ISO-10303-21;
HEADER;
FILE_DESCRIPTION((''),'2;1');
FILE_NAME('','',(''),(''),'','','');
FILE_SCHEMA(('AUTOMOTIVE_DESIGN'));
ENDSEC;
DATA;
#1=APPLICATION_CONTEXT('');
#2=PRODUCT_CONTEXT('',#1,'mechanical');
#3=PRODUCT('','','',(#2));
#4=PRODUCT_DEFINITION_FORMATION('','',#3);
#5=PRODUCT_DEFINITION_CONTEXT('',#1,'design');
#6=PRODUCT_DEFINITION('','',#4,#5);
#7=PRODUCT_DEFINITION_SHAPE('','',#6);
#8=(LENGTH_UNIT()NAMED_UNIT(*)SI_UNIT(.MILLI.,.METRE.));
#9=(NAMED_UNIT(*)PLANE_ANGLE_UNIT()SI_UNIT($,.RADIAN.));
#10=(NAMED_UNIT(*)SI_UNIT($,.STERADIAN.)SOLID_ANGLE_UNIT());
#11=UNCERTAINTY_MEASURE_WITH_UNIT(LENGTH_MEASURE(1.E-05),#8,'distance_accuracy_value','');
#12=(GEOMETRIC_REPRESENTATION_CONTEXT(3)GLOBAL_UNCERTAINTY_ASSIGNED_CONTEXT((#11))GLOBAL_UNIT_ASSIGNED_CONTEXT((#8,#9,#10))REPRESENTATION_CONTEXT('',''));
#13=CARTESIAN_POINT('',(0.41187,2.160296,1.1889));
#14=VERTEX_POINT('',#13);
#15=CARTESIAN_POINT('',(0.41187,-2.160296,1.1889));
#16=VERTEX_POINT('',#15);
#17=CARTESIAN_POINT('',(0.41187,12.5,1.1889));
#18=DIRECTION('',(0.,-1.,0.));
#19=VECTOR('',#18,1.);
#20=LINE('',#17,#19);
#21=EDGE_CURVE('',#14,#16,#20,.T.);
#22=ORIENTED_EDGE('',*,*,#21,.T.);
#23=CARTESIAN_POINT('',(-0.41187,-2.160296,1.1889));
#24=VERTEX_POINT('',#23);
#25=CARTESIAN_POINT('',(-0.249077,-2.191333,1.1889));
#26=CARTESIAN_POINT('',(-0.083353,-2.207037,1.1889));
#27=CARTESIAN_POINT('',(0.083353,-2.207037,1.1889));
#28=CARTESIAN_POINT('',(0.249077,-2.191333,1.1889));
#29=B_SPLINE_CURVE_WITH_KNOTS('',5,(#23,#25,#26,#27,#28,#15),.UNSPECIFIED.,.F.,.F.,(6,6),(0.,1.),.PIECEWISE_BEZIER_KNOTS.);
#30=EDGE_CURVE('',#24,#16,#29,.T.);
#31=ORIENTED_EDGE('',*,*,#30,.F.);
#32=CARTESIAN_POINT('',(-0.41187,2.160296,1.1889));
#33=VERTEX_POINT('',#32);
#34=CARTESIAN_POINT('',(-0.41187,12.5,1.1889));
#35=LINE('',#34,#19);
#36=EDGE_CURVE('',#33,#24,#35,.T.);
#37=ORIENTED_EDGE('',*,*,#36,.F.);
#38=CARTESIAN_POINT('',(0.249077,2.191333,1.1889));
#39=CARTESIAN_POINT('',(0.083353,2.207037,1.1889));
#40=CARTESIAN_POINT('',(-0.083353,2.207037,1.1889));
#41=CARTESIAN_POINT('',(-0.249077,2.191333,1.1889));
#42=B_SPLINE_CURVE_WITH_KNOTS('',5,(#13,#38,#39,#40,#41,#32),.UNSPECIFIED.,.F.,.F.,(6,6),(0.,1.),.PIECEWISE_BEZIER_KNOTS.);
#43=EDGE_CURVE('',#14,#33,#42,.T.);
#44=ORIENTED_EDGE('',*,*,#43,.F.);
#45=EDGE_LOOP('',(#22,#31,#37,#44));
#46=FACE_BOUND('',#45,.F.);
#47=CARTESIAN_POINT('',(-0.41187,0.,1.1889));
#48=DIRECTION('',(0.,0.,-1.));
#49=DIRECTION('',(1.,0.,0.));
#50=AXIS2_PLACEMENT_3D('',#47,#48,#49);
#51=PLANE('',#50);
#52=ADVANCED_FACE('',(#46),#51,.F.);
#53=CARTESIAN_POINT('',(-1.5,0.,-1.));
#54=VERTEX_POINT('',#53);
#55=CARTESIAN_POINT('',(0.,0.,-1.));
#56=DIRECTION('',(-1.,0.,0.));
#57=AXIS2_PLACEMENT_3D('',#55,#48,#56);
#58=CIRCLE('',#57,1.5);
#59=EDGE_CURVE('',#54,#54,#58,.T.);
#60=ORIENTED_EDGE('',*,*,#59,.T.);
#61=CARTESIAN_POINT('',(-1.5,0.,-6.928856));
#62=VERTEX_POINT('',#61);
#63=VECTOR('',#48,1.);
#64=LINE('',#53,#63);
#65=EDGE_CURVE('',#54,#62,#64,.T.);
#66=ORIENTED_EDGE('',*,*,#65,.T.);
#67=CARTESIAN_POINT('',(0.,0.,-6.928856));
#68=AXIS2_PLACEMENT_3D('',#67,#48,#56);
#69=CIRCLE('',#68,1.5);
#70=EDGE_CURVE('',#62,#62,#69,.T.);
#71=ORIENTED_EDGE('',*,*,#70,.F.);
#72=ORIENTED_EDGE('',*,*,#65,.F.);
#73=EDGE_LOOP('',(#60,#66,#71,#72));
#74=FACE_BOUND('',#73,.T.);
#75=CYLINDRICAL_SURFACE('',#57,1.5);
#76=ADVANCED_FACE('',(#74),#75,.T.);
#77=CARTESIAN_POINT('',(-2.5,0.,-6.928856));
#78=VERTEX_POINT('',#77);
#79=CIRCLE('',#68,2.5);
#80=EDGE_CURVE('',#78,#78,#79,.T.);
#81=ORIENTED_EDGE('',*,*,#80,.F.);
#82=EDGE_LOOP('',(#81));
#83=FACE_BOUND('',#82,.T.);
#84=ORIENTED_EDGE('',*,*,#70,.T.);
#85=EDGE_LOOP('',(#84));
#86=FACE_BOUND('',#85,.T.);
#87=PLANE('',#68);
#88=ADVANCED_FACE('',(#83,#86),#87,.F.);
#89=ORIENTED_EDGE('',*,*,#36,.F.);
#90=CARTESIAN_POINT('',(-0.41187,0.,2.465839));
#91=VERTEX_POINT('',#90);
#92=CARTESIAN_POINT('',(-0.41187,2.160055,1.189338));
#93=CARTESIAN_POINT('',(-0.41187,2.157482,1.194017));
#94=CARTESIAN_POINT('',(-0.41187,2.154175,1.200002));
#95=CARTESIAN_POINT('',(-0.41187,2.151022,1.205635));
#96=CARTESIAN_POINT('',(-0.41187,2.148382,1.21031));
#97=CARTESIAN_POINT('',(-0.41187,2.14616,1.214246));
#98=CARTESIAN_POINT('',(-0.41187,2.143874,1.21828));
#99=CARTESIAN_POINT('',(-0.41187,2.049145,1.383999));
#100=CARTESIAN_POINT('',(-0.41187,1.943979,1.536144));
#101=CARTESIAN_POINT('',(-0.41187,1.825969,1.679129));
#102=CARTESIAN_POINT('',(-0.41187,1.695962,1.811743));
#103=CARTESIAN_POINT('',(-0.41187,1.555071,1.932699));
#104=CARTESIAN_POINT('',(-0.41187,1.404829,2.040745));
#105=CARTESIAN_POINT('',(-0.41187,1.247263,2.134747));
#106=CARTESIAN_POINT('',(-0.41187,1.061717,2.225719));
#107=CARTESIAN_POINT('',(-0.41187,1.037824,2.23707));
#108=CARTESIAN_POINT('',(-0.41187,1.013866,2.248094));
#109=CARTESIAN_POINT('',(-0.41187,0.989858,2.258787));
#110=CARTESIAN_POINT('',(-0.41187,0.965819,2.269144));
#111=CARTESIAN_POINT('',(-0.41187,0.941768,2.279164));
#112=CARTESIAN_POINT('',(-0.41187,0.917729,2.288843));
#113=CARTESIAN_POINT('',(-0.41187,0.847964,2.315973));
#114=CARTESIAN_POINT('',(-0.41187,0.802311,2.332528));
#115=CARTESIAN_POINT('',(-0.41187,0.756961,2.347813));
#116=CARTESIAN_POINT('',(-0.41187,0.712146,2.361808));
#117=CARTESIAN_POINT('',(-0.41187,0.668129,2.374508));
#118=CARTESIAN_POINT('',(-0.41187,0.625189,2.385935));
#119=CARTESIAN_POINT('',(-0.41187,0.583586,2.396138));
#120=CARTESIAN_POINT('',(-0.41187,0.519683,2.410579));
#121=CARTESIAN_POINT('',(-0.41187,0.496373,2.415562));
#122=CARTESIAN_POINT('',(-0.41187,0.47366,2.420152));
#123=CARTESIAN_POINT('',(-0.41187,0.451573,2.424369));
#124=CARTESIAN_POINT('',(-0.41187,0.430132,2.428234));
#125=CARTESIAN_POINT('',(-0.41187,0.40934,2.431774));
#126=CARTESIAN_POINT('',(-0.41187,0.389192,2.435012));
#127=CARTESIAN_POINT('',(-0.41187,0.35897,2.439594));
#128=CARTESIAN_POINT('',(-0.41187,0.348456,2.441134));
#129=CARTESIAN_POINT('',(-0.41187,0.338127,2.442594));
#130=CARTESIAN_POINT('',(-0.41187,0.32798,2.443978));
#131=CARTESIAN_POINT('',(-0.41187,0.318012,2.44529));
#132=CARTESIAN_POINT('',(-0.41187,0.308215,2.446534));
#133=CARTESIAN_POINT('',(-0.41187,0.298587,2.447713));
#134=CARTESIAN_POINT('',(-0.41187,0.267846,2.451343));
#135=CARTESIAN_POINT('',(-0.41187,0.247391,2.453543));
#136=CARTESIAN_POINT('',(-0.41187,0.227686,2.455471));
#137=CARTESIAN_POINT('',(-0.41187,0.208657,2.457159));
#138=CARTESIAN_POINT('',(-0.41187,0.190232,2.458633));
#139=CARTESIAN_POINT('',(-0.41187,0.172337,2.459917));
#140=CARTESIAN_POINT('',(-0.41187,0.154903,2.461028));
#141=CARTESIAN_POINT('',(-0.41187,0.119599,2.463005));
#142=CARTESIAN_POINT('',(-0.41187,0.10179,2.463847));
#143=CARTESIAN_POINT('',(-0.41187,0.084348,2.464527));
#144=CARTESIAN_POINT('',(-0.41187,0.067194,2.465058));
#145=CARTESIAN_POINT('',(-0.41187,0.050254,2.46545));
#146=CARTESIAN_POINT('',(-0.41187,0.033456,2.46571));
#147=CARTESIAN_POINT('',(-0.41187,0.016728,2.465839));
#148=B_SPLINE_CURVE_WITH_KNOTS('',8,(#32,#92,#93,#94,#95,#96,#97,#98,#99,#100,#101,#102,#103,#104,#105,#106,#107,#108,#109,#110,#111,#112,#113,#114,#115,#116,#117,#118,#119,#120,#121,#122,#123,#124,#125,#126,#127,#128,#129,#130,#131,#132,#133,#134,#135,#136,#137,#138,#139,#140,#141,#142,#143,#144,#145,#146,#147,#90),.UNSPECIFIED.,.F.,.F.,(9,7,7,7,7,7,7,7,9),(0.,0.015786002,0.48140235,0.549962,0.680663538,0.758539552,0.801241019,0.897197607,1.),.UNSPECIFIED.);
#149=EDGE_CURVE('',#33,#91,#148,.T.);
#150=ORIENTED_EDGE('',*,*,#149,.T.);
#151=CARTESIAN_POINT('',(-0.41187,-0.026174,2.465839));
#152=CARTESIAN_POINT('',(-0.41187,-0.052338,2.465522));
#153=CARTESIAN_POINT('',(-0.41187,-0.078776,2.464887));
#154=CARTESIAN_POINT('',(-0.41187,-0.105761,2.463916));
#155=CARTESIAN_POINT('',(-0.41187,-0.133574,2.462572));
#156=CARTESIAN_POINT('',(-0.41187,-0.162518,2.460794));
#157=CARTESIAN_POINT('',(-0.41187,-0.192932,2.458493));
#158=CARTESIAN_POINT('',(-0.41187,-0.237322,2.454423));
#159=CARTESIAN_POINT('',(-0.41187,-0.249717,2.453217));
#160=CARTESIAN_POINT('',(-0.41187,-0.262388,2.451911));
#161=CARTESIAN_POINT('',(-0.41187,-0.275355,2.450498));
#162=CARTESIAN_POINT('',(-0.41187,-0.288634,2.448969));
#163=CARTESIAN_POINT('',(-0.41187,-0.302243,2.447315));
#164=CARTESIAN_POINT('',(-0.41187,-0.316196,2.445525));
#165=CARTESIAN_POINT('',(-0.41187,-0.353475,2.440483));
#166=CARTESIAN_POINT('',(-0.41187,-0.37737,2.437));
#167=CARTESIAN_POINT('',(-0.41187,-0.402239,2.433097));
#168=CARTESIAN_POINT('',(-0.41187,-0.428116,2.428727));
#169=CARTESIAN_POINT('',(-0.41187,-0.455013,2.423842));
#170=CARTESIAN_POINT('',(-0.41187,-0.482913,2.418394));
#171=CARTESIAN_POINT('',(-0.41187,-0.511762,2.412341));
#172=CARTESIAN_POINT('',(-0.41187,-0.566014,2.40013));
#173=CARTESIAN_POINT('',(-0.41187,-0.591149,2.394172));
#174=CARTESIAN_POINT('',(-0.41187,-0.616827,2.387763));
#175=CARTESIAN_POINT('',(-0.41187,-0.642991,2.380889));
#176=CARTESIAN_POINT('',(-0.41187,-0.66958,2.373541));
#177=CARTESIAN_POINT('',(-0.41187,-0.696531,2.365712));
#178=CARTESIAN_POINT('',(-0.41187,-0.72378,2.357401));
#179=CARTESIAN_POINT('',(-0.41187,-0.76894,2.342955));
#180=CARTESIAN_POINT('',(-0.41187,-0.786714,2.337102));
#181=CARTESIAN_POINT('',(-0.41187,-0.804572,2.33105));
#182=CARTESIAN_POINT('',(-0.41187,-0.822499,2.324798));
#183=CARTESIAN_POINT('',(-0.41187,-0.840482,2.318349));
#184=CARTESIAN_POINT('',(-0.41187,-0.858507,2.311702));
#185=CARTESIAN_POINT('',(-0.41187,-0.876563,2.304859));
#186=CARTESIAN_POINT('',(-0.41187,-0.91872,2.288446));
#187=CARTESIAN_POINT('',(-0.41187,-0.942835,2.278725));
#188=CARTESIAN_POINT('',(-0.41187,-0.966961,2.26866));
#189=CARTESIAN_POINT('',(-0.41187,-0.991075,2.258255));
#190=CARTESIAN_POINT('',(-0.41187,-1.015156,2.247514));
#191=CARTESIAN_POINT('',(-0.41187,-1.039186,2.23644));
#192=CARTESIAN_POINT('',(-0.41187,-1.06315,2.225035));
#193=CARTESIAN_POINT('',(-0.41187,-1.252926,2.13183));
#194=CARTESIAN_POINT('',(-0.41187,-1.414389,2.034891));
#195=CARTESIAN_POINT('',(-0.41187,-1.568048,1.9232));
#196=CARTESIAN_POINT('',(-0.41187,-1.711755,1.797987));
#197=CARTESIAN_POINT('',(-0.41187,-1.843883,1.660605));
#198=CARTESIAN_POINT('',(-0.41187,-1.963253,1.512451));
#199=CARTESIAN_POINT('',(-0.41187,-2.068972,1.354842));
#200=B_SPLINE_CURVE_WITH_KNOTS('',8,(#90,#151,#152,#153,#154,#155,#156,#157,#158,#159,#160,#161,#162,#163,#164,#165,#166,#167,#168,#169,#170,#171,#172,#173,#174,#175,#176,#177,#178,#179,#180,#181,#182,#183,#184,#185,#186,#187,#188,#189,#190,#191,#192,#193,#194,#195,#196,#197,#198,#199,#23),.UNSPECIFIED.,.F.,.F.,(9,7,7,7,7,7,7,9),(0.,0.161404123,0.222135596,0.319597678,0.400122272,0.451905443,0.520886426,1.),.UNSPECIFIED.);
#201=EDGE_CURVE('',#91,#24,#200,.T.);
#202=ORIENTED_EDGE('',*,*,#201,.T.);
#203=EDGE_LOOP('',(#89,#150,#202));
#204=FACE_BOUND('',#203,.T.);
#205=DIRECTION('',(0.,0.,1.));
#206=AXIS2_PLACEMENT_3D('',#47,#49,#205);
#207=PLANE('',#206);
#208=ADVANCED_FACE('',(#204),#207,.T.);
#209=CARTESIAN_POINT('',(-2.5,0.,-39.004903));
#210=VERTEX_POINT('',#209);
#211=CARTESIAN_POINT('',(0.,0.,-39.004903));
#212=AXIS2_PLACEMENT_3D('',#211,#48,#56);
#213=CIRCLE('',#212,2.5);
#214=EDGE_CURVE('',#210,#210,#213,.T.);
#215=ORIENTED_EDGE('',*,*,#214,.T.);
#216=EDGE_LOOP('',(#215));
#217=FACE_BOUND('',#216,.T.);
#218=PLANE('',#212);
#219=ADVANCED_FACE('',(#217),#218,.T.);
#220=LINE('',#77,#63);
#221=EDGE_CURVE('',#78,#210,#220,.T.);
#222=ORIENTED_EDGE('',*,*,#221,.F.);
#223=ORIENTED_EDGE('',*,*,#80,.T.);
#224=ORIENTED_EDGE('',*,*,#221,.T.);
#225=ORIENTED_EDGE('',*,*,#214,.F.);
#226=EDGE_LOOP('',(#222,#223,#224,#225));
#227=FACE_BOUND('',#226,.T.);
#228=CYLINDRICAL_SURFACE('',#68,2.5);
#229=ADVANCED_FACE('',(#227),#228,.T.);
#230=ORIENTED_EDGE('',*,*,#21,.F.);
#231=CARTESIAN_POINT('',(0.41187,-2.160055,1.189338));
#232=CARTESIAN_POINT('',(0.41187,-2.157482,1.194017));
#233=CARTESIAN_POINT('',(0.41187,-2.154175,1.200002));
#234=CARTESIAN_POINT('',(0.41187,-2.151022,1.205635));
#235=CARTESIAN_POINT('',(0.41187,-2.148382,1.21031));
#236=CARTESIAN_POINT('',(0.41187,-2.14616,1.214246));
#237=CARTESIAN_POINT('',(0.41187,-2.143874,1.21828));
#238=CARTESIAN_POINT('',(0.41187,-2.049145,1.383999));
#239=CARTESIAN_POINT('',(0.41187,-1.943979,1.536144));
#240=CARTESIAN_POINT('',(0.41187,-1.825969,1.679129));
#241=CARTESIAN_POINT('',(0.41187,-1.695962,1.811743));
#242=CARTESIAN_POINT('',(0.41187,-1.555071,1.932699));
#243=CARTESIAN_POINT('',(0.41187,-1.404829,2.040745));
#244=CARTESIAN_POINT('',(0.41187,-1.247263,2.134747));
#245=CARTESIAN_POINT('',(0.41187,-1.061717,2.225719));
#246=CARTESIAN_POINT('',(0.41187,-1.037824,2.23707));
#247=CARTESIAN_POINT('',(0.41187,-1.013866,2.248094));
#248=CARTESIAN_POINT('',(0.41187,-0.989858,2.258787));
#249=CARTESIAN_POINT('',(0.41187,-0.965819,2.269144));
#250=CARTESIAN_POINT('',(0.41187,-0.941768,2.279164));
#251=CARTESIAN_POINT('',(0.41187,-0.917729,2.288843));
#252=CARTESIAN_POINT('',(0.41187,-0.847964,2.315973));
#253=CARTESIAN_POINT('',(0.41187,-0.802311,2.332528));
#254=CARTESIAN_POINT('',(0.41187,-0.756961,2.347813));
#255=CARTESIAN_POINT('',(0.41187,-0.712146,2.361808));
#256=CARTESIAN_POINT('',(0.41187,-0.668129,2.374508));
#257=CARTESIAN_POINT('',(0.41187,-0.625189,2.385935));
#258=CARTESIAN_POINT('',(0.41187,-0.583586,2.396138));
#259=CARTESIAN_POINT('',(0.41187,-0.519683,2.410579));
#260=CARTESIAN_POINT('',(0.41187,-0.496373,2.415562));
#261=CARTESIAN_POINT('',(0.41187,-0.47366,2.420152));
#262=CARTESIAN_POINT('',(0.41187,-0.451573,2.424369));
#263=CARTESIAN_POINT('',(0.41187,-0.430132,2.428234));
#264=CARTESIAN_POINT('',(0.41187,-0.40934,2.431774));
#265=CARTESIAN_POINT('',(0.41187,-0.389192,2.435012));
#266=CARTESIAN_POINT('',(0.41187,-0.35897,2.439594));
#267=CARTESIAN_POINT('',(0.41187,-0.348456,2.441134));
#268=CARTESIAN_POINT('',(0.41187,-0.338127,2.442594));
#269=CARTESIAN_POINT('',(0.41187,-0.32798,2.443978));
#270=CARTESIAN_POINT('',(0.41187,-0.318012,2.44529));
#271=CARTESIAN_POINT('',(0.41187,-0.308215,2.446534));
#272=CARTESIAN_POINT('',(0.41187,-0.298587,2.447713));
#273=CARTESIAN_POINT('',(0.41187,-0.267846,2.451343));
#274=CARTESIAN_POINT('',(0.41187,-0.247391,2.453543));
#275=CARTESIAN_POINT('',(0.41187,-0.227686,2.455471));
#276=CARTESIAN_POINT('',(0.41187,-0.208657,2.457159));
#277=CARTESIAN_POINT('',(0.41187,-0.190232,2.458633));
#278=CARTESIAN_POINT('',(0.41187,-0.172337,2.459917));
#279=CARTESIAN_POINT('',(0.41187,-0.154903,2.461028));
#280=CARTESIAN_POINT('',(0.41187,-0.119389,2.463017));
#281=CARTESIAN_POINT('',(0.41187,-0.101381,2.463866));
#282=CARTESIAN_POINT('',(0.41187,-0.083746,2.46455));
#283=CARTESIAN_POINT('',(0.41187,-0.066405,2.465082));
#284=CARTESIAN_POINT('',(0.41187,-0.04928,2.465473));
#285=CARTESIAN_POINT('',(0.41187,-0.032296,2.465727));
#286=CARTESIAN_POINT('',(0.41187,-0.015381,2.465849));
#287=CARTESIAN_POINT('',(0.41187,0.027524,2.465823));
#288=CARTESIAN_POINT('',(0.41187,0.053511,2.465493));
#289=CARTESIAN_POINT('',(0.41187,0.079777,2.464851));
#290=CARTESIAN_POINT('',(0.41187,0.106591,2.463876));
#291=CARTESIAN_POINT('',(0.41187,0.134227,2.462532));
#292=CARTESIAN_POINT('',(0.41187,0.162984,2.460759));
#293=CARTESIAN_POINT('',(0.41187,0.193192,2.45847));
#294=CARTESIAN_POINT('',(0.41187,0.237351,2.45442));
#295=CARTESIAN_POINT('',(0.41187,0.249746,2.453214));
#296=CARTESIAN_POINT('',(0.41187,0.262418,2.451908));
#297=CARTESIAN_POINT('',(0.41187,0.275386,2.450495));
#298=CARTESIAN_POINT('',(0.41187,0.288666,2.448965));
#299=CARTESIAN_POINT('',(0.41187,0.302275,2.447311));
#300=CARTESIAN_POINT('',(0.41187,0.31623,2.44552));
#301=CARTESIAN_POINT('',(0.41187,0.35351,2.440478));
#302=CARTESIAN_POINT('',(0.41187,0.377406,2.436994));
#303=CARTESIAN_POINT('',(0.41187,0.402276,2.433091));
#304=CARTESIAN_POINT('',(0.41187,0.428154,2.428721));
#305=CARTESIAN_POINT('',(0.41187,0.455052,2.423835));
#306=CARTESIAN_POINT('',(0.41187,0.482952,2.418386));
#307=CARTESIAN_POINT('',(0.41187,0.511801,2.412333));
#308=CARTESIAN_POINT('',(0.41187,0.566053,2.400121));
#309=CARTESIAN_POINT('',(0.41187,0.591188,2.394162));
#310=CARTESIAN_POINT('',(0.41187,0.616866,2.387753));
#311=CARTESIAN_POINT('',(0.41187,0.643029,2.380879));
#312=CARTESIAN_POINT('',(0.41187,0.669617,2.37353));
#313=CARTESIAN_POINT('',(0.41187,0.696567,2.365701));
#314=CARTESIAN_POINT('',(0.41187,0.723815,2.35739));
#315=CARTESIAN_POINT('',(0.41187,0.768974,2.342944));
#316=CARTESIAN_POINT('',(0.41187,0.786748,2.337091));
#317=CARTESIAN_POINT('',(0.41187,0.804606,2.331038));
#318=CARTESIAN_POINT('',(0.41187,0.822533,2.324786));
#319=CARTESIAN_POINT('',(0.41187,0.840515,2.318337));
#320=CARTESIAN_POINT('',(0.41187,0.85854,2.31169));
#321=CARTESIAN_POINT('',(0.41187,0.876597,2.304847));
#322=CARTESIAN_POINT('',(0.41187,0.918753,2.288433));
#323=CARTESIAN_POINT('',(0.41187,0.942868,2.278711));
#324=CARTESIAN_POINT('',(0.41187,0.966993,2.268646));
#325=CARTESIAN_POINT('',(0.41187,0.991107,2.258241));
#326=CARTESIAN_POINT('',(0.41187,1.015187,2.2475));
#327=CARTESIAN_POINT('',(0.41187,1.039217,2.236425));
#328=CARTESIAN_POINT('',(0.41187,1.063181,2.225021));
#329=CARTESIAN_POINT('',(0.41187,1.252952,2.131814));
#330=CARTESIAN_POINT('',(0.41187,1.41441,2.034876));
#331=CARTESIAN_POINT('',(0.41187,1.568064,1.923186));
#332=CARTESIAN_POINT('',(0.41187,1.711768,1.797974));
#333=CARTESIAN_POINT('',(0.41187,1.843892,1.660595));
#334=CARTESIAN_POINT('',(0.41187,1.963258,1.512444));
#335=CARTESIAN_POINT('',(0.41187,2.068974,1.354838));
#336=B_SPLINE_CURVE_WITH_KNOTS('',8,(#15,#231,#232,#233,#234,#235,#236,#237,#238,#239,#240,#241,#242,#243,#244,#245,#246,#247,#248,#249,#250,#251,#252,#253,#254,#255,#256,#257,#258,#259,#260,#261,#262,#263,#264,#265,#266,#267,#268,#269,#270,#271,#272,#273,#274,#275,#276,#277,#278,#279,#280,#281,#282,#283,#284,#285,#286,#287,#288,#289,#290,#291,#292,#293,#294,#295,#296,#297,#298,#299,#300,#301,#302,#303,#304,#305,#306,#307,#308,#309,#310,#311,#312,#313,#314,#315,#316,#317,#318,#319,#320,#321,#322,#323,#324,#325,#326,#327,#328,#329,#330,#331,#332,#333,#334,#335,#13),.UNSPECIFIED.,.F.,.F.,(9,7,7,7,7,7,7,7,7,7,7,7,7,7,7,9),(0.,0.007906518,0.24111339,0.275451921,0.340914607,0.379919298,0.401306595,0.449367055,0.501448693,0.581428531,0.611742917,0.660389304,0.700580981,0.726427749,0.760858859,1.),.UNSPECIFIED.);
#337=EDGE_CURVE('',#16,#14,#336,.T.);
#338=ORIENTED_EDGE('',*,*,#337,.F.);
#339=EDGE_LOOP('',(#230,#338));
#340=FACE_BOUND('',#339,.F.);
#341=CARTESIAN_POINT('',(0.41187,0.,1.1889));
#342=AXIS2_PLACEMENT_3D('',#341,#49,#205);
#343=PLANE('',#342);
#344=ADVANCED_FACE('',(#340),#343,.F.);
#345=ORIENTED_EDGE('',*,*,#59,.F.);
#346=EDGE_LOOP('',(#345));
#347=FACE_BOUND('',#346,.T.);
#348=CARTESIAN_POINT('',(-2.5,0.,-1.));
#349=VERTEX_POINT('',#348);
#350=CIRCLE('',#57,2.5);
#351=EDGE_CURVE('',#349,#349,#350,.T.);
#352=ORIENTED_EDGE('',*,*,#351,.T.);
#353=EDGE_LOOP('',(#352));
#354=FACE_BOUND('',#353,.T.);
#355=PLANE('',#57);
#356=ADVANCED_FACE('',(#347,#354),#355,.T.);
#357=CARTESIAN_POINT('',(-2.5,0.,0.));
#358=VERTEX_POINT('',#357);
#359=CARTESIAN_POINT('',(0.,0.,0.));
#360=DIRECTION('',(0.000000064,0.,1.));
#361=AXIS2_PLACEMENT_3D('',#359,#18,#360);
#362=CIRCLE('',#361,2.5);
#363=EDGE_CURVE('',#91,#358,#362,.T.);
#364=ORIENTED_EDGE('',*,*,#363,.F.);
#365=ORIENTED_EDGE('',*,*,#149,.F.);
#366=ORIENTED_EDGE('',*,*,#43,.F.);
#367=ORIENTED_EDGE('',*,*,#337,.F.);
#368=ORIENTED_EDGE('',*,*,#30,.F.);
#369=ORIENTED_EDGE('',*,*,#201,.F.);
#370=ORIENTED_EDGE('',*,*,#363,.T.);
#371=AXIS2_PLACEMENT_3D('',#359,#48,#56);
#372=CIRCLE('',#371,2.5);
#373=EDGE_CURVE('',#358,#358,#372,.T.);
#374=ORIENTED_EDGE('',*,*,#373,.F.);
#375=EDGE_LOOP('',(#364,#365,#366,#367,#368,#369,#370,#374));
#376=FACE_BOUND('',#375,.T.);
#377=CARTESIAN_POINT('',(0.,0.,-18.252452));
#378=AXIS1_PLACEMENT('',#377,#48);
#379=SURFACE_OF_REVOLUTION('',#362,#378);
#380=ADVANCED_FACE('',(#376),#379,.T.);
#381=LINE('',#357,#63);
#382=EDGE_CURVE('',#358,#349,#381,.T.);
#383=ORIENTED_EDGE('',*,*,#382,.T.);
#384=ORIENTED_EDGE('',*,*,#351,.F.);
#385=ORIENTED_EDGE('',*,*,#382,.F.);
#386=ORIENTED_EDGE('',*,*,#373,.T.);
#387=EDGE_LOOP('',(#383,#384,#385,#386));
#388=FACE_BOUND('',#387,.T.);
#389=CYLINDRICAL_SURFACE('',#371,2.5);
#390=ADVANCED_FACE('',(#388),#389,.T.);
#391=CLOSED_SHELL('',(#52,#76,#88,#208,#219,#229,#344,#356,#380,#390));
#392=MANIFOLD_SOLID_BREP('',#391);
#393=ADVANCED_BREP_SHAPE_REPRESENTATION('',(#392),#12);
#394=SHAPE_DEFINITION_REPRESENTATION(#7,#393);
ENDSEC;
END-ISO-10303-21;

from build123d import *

# Parameters (mm, degrees)
F2_W     = 0.41187
F2_H     = 2.318905
F3_DEPTH = 12.5


with BuildPart() as f1:
    # F0 (on Front) → F1 (revolve)
    with BuildSketch(Plane.XZ):
        with BuildLine():
            Line((-2.5, -1), (-1.5, -1))
            Line((-1.5, -1), (-1.5, -6.928856))
            Line((-1.5, -6.928856), (-2.5, -6.928856))
            Line((-2.5, -6.928856), (-2.5, -39.004903))
            Line((-2.5, -39.004903), (0, -39.004903))
            Line((0, -39.004903), (0, 2.5))
            ThreePointArc((0, 2.5), (-1.767767, 1.767767), (-2.5, 0))
            Line((-2.5, 0), (-2.5, -1))
        make_face()
    revolve(axis=Axis((0, 0, -18.252452), (0, 0, -1)))

    # F2 (on Front) → F3 (cut, symmetric)
    with BuildSketch(Plane.XZ):
        with Locations((-0.205935, 2.348353)):
            Rectangle(F2_W, F2_H)
        with Locations((0.205935, 2.348353)):
            Rectangle(F2_W, F2_H)
    extrude(amount=F3_DEPTH, both=True, mode=Mode.SUBTRACT)


solid = f1.part
